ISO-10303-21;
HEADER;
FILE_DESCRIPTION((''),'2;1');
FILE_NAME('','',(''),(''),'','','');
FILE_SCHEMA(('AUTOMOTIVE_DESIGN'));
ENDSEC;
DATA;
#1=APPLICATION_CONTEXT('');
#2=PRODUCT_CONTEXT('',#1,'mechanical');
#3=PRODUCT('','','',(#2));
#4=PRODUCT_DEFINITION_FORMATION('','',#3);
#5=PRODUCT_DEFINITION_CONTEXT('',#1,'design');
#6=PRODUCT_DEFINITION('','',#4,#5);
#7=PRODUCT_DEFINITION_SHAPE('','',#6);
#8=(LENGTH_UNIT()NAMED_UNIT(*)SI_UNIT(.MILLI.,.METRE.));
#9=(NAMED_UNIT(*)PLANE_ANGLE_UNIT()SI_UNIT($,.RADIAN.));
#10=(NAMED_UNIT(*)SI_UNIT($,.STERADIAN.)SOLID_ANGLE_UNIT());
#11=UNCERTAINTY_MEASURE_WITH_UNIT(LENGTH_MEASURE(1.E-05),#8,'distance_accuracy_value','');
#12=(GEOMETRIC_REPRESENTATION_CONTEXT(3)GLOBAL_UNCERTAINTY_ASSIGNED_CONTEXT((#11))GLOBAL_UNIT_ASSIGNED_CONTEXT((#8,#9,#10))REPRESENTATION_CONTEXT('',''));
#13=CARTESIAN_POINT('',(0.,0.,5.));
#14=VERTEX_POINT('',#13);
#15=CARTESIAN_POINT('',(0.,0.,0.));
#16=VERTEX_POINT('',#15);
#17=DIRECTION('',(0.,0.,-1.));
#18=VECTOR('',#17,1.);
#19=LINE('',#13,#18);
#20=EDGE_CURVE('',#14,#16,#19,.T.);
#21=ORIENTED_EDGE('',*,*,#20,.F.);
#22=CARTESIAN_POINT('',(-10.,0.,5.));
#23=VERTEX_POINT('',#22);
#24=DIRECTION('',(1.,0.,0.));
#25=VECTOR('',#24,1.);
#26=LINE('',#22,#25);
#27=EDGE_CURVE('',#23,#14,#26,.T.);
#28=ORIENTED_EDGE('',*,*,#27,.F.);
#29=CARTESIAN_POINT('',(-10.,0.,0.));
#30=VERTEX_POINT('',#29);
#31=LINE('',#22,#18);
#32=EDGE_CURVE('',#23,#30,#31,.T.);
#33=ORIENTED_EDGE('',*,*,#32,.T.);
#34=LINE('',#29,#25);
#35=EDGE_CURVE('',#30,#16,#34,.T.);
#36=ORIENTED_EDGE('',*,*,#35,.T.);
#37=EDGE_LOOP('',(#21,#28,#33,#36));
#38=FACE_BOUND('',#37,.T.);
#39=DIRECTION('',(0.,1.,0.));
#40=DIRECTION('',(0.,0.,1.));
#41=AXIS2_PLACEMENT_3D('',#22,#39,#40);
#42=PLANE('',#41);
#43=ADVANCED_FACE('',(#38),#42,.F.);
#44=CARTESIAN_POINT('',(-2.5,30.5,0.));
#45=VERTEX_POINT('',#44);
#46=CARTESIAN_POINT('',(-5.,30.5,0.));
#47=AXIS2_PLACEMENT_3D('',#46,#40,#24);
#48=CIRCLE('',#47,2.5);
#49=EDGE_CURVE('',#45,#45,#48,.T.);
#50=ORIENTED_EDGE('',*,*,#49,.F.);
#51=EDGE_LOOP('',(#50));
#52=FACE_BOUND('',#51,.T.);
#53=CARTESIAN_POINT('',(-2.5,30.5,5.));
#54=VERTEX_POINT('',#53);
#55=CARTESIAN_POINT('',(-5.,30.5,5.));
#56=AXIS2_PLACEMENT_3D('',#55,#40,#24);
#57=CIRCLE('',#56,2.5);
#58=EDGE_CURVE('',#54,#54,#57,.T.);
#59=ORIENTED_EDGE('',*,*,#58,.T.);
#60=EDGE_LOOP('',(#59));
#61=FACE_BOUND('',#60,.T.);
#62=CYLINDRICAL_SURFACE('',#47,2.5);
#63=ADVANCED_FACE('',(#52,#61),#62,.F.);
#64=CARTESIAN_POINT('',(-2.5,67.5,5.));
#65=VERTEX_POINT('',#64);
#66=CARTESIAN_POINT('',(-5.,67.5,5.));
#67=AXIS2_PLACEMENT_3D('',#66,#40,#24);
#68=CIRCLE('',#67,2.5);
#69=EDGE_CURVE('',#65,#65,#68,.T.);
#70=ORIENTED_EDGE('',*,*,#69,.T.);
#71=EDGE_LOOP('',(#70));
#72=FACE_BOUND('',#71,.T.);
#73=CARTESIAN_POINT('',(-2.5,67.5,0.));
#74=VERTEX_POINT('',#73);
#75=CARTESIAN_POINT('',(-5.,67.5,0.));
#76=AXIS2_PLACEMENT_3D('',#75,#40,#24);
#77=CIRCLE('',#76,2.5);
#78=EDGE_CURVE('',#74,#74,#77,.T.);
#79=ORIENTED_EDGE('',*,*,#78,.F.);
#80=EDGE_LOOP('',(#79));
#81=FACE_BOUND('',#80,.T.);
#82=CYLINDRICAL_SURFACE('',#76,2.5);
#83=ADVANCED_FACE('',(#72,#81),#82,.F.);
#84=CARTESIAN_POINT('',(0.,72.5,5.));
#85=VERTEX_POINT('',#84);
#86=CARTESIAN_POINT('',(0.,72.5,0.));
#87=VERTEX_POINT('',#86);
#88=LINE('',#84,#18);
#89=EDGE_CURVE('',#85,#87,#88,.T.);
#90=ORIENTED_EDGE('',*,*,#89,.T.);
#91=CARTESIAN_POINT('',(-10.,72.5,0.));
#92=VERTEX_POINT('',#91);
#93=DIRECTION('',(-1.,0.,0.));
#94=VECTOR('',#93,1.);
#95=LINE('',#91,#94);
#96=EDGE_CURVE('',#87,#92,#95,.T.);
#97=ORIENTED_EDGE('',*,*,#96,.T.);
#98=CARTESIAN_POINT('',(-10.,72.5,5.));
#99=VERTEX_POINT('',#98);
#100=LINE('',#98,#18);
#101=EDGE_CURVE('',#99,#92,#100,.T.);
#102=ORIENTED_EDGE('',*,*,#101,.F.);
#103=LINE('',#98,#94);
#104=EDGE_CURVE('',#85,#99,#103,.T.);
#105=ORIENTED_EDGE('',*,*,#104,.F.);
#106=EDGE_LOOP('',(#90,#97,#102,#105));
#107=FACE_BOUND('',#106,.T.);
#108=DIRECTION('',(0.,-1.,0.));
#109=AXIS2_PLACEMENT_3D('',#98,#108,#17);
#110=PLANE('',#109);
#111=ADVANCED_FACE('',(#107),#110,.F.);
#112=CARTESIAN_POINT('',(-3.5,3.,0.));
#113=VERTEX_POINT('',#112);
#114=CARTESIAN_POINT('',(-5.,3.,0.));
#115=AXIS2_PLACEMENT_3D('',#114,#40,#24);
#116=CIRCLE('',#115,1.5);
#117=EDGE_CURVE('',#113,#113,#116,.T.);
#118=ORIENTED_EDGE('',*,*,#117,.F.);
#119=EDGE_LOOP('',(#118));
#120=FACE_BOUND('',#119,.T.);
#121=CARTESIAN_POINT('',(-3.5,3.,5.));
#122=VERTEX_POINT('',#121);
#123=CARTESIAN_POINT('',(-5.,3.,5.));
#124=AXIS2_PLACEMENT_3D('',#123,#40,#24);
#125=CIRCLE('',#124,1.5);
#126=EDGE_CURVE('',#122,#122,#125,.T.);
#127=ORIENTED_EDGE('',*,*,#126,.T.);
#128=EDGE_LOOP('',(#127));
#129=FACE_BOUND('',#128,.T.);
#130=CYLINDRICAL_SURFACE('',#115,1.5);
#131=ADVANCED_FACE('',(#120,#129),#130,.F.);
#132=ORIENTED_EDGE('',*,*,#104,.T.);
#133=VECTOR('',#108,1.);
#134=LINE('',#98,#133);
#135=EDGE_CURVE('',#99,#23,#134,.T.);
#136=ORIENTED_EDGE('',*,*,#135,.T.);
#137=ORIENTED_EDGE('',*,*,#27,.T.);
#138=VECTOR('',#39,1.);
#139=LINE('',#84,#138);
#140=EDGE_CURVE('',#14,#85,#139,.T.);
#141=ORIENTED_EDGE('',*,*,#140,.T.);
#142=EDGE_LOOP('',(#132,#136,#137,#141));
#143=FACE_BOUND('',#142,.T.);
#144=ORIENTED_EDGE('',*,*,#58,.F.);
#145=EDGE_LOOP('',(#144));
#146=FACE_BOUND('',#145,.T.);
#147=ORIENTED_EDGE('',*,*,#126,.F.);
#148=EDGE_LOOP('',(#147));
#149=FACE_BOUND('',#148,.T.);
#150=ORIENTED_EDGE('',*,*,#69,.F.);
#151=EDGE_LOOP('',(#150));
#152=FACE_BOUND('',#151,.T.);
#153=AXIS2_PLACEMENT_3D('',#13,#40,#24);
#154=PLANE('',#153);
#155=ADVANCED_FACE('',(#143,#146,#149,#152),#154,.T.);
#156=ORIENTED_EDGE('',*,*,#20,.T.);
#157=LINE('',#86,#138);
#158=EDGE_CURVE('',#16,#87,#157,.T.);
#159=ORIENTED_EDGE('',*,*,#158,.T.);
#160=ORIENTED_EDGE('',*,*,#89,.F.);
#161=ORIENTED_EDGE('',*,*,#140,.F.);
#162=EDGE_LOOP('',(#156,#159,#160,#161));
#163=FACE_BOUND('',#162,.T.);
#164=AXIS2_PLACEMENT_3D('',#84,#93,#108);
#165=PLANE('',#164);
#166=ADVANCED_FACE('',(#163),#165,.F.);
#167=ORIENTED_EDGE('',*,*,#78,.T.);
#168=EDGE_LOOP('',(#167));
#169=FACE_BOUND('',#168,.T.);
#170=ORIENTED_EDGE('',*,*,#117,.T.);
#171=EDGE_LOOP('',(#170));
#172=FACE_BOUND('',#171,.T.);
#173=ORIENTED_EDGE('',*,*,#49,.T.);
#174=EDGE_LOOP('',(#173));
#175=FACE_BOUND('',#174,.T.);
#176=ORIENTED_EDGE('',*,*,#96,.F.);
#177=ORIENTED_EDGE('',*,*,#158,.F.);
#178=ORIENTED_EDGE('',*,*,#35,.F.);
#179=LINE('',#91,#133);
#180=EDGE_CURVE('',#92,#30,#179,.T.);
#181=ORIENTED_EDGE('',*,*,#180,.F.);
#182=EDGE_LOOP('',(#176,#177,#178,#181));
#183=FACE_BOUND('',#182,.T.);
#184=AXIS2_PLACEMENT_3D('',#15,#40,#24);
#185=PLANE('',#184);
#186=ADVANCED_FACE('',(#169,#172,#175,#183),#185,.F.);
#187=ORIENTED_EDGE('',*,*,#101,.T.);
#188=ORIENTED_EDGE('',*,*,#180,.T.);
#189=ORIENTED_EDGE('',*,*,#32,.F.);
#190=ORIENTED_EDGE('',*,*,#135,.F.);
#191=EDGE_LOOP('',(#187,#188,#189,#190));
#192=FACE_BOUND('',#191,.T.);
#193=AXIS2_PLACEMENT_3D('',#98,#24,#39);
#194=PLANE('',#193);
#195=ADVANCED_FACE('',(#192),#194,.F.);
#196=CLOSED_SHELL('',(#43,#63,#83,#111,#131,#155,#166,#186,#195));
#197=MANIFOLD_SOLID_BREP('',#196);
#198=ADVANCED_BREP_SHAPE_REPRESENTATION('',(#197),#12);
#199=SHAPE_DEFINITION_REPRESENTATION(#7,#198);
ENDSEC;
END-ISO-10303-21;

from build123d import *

# Parameters (mm, degrees)
SKETCH1_W           = 10
SKETCH1_H           = 72.5
BOSS_EXTRUDE1_DEPTH = 5
SKETCH2_R           = 2.5
CUT_EXTRUDE1_DEPTH  = 6
SKETCH3_R           = 1.5
SKETCH3_R_2         = 2.5
CUT_EXTRUDE2_DEPTH  = 6


with BuildPart() as part:
    # Sketch1 → Boss-Extrude1 (new body)
    with BuildSketch(Plane.XY):
        with Locations((-5, 36.25)):
            Rectangle(SKETCH1_W, SKETCH1_H)
    extrude(amount=BOSS_EXTRUDE1_DEPTH)

    # Sketch2 → Cut-Extrude1 (cut, through all)
    with BuildSketch(Plane.XY.offset(5)):
        with Locations((-5, 67.5)):
            Circle(SKETCH2_R)
    extrude(amount=-CUT_EXTRUDE1_DEPTH, mode=Mode.SUBTRACT)

    # Sketch3 → Cut-Extrude2 (cut, through all)
    with BuildSketch(Plane.XY.offset(5)):
        with Locations((-5, 3)):
            Circle(SKETCH3_R)
        with Locations((-5, 30.5)):
            Circle(SKETCH3_R_2)
    extrude(amount=-CUT_EXTRUDE2_DEPTH, mode=Mode.SUBTRACT)


solid = part.part
